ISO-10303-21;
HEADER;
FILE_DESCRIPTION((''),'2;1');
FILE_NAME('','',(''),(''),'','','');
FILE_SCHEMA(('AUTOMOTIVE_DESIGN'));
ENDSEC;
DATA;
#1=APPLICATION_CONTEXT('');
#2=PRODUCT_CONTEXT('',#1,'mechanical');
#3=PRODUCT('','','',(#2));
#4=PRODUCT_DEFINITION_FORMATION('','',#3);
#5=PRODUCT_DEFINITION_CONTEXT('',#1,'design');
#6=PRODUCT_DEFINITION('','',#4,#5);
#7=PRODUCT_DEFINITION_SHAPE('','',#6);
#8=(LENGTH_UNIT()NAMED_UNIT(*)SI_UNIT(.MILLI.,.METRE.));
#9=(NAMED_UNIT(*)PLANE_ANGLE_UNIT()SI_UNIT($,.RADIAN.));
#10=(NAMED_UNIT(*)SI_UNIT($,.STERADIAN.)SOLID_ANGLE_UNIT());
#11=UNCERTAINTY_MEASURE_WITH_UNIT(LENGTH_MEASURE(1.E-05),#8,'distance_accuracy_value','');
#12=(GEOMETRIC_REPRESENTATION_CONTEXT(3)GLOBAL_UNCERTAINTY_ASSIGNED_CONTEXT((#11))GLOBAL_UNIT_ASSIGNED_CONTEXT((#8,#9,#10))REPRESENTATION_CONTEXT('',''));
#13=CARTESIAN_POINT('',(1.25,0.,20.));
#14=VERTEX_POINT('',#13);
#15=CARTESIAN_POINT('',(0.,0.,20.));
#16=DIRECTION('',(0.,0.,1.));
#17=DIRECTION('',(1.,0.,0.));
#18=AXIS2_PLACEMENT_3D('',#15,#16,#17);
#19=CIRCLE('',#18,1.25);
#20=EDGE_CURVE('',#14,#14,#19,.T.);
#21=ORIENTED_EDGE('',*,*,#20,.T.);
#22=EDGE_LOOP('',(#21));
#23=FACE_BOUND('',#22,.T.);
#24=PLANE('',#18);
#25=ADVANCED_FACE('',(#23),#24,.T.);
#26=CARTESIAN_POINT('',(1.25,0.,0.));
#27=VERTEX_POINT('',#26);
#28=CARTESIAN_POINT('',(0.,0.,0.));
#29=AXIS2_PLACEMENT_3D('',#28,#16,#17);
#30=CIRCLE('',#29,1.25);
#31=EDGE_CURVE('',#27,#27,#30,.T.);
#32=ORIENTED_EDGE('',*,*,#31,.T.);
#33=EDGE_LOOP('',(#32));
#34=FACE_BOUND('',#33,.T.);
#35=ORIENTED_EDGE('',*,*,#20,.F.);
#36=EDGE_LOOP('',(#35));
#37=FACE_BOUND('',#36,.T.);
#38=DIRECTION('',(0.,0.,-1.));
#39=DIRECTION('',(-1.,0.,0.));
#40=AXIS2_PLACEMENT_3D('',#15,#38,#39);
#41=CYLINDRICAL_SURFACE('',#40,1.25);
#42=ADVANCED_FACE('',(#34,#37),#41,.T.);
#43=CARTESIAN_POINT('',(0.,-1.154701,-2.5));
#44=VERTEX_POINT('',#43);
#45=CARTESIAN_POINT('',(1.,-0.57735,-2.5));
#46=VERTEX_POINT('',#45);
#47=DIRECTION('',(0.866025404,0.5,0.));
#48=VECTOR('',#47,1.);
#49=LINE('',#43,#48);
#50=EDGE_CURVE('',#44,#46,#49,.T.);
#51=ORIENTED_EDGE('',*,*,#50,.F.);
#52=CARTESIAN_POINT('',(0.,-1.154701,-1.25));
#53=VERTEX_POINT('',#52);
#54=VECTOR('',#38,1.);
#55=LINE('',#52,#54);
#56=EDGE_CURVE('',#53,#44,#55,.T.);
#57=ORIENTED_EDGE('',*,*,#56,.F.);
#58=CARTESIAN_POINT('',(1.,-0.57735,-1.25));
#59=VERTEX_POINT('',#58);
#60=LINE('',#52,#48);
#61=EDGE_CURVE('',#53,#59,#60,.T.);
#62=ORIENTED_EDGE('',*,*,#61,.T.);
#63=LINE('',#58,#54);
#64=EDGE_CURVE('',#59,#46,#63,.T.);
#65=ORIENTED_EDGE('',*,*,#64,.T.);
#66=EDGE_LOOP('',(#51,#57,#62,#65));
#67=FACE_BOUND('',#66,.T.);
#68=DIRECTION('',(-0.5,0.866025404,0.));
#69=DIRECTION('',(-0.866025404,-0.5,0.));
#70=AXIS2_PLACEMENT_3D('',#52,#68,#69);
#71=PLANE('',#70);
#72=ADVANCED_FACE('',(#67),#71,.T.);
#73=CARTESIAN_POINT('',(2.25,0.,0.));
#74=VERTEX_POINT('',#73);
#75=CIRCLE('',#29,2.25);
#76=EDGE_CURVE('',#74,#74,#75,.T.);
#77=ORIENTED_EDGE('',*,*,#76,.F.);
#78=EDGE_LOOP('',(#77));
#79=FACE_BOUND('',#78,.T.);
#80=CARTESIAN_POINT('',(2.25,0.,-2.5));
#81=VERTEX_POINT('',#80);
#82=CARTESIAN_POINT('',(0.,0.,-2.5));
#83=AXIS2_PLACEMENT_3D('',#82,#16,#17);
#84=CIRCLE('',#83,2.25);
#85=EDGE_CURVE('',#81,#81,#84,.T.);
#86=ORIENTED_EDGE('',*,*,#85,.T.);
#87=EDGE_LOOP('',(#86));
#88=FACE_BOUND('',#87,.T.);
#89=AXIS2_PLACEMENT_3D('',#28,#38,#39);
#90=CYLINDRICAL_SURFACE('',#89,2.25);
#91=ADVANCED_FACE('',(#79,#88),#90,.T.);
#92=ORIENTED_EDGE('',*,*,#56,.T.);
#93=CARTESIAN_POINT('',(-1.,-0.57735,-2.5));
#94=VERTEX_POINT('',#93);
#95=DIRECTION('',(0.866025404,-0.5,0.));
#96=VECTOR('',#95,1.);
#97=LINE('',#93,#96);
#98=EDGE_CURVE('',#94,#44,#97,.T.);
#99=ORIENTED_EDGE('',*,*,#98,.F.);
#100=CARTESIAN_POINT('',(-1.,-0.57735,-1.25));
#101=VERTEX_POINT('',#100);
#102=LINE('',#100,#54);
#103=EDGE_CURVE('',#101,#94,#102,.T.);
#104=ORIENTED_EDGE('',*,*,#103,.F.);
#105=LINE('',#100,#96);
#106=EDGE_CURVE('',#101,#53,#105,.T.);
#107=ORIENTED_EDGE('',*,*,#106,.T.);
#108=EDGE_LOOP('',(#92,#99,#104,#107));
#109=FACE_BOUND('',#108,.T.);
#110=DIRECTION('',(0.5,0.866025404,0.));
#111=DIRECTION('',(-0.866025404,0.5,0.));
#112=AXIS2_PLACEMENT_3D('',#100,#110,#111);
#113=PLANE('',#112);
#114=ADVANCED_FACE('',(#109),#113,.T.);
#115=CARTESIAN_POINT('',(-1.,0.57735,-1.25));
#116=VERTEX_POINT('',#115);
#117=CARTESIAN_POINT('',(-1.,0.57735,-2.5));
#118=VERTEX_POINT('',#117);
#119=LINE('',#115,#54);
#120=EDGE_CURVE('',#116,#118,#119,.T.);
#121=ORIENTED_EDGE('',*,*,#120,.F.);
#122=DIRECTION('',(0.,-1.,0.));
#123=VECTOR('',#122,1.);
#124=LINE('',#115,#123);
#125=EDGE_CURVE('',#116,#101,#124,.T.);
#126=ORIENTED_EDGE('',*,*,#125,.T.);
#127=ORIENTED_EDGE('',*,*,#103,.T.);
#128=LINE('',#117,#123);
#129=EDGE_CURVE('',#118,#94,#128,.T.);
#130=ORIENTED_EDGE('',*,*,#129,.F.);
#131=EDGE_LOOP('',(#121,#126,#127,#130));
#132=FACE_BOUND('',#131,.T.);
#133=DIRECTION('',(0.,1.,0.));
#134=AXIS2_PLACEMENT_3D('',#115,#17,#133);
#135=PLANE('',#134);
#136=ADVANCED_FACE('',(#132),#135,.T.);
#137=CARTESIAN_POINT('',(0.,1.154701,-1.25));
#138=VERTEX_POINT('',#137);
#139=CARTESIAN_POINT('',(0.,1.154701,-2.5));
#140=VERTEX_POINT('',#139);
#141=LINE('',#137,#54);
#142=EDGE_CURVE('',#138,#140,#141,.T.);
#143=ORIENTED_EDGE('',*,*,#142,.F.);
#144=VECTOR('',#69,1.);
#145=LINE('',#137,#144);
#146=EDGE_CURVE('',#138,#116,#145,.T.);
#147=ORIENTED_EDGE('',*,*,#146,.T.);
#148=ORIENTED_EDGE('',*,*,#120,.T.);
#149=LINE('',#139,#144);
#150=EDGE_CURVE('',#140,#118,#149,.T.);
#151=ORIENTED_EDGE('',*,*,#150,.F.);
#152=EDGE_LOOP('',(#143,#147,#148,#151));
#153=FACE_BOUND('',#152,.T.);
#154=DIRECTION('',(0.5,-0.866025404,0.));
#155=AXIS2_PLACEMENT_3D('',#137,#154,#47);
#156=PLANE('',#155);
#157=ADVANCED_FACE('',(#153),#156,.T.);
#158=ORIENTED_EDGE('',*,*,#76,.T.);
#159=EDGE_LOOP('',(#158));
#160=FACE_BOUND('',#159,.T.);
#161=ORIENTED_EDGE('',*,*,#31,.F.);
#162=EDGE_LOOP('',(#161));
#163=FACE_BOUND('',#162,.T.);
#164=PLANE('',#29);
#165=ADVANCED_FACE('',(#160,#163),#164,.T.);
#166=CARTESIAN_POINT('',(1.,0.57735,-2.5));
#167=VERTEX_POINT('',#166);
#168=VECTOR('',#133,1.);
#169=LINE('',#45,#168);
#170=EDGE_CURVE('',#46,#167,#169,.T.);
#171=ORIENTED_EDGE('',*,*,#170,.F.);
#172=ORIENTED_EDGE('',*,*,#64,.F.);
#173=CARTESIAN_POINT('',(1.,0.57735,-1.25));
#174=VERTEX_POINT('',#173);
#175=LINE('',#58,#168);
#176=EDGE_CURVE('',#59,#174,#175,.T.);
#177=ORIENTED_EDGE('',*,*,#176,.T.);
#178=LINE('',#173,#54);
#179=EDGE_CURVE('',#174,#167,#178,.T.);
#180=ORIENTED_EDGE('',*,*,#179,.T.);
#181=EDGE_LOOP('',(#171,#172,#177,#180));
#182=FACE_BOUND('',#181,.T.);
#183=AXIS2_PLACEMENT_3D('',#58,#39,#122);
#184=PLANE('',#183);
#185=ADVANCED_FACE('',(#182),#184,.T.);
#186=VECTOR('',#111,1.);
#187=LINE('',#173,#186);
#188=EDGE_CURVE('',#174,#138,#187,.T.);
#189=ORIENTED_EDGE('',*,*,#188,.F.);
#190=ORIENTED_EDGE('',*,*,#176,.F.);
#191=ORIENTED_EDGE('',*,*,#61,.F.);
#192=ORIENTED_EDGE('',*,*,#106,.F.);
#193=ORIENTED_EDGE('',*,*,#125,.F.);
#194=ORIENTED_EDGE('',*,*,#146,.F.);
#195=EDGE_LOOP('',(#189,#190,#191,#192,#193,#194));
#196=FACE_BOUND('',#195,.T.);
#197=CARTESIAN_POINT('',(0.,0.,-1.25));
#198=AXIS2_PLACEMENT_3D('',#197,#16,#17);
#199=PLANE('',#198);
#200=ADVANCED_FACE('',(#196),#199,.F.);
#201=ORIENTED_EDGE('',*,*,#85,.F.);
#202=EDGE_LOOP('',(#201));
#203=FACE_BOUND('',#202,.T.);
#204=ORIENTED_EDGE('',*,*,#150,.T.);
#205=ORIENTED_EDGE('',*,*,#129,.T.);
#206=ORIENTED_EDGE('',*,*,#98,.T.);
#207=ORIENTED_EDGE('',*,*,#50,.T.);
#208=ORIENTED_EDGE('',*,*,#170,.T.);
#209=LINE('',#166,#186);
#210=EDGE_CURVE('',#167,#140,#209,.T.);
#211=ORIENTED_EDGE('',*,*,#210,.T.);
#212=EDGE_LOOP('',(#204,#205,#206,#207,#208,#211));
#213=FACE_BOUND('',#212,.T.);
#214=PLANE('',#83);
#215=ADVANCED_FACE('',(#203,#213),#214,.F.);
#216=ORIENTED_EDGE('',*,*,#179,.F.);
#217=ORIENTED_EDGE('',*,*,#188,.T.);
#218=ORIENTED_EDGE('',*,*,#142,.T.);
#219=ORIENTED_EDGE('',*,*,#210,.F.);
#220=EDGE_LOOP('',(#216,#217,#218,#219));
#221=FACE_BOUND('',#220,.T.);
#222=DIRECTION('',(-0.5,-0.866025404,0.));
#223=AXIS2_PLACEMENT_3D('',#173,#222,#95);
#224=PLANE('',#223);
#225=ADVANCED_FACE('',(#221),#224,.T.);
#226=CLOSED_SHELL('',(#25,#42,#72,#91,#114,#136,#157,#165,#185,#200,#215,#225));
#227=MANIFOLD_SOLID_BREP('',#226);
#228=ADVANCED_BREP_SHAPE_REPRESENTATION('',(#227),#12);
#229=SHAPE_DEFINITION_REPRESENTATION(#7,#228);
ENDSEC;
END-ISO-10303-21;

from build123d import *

# Parameters (mm, degrees)
CABEZA_START            = -2.5
SK_CABEZA_R             = 2.25
CABEZA_DEPTH            = 2.5
SK_CUERPO_R             = 1.25
CUERPO_DEPTH            = 20
HEXAGONO_INTERIOR_START = -2.5
HEXAGONO_INTERIOR_DEPTH = 1.25


with BuildPart() as part:
    # Sk_Cabeza → Cabeza (new body)
    with BuildSketch(Plane.XY.offset(CABEZA_START)):
        Circle(SK_CABEZA_R)
    extrude(amount=CABEZA_DEPTH)

    # Sk_Cuerpo → Cuerpo (add)
    with BuildSketch(Plane.XY):
        Circle(SK_CUERPO_R)
    extrude(amount=CUERPO_DEPTH)

    # Sk_Hexagono_interior → Hexagono_interior (cut)
    with BuildSketch(Plane.XY.offset(HEXAGONO_INTERIOR_START)):
        Polygon((0, -1.154700538), (1, -0.577350269), (1, 0.577350269), (0, 1.154700538), (-1, 0.577350269), (-1, -0.577350269), align=None)
    extrude(amount=HEXAGONO_INTERIOR_DEPTH, mode=Mode.SUBTRACT)


solid = part.part
